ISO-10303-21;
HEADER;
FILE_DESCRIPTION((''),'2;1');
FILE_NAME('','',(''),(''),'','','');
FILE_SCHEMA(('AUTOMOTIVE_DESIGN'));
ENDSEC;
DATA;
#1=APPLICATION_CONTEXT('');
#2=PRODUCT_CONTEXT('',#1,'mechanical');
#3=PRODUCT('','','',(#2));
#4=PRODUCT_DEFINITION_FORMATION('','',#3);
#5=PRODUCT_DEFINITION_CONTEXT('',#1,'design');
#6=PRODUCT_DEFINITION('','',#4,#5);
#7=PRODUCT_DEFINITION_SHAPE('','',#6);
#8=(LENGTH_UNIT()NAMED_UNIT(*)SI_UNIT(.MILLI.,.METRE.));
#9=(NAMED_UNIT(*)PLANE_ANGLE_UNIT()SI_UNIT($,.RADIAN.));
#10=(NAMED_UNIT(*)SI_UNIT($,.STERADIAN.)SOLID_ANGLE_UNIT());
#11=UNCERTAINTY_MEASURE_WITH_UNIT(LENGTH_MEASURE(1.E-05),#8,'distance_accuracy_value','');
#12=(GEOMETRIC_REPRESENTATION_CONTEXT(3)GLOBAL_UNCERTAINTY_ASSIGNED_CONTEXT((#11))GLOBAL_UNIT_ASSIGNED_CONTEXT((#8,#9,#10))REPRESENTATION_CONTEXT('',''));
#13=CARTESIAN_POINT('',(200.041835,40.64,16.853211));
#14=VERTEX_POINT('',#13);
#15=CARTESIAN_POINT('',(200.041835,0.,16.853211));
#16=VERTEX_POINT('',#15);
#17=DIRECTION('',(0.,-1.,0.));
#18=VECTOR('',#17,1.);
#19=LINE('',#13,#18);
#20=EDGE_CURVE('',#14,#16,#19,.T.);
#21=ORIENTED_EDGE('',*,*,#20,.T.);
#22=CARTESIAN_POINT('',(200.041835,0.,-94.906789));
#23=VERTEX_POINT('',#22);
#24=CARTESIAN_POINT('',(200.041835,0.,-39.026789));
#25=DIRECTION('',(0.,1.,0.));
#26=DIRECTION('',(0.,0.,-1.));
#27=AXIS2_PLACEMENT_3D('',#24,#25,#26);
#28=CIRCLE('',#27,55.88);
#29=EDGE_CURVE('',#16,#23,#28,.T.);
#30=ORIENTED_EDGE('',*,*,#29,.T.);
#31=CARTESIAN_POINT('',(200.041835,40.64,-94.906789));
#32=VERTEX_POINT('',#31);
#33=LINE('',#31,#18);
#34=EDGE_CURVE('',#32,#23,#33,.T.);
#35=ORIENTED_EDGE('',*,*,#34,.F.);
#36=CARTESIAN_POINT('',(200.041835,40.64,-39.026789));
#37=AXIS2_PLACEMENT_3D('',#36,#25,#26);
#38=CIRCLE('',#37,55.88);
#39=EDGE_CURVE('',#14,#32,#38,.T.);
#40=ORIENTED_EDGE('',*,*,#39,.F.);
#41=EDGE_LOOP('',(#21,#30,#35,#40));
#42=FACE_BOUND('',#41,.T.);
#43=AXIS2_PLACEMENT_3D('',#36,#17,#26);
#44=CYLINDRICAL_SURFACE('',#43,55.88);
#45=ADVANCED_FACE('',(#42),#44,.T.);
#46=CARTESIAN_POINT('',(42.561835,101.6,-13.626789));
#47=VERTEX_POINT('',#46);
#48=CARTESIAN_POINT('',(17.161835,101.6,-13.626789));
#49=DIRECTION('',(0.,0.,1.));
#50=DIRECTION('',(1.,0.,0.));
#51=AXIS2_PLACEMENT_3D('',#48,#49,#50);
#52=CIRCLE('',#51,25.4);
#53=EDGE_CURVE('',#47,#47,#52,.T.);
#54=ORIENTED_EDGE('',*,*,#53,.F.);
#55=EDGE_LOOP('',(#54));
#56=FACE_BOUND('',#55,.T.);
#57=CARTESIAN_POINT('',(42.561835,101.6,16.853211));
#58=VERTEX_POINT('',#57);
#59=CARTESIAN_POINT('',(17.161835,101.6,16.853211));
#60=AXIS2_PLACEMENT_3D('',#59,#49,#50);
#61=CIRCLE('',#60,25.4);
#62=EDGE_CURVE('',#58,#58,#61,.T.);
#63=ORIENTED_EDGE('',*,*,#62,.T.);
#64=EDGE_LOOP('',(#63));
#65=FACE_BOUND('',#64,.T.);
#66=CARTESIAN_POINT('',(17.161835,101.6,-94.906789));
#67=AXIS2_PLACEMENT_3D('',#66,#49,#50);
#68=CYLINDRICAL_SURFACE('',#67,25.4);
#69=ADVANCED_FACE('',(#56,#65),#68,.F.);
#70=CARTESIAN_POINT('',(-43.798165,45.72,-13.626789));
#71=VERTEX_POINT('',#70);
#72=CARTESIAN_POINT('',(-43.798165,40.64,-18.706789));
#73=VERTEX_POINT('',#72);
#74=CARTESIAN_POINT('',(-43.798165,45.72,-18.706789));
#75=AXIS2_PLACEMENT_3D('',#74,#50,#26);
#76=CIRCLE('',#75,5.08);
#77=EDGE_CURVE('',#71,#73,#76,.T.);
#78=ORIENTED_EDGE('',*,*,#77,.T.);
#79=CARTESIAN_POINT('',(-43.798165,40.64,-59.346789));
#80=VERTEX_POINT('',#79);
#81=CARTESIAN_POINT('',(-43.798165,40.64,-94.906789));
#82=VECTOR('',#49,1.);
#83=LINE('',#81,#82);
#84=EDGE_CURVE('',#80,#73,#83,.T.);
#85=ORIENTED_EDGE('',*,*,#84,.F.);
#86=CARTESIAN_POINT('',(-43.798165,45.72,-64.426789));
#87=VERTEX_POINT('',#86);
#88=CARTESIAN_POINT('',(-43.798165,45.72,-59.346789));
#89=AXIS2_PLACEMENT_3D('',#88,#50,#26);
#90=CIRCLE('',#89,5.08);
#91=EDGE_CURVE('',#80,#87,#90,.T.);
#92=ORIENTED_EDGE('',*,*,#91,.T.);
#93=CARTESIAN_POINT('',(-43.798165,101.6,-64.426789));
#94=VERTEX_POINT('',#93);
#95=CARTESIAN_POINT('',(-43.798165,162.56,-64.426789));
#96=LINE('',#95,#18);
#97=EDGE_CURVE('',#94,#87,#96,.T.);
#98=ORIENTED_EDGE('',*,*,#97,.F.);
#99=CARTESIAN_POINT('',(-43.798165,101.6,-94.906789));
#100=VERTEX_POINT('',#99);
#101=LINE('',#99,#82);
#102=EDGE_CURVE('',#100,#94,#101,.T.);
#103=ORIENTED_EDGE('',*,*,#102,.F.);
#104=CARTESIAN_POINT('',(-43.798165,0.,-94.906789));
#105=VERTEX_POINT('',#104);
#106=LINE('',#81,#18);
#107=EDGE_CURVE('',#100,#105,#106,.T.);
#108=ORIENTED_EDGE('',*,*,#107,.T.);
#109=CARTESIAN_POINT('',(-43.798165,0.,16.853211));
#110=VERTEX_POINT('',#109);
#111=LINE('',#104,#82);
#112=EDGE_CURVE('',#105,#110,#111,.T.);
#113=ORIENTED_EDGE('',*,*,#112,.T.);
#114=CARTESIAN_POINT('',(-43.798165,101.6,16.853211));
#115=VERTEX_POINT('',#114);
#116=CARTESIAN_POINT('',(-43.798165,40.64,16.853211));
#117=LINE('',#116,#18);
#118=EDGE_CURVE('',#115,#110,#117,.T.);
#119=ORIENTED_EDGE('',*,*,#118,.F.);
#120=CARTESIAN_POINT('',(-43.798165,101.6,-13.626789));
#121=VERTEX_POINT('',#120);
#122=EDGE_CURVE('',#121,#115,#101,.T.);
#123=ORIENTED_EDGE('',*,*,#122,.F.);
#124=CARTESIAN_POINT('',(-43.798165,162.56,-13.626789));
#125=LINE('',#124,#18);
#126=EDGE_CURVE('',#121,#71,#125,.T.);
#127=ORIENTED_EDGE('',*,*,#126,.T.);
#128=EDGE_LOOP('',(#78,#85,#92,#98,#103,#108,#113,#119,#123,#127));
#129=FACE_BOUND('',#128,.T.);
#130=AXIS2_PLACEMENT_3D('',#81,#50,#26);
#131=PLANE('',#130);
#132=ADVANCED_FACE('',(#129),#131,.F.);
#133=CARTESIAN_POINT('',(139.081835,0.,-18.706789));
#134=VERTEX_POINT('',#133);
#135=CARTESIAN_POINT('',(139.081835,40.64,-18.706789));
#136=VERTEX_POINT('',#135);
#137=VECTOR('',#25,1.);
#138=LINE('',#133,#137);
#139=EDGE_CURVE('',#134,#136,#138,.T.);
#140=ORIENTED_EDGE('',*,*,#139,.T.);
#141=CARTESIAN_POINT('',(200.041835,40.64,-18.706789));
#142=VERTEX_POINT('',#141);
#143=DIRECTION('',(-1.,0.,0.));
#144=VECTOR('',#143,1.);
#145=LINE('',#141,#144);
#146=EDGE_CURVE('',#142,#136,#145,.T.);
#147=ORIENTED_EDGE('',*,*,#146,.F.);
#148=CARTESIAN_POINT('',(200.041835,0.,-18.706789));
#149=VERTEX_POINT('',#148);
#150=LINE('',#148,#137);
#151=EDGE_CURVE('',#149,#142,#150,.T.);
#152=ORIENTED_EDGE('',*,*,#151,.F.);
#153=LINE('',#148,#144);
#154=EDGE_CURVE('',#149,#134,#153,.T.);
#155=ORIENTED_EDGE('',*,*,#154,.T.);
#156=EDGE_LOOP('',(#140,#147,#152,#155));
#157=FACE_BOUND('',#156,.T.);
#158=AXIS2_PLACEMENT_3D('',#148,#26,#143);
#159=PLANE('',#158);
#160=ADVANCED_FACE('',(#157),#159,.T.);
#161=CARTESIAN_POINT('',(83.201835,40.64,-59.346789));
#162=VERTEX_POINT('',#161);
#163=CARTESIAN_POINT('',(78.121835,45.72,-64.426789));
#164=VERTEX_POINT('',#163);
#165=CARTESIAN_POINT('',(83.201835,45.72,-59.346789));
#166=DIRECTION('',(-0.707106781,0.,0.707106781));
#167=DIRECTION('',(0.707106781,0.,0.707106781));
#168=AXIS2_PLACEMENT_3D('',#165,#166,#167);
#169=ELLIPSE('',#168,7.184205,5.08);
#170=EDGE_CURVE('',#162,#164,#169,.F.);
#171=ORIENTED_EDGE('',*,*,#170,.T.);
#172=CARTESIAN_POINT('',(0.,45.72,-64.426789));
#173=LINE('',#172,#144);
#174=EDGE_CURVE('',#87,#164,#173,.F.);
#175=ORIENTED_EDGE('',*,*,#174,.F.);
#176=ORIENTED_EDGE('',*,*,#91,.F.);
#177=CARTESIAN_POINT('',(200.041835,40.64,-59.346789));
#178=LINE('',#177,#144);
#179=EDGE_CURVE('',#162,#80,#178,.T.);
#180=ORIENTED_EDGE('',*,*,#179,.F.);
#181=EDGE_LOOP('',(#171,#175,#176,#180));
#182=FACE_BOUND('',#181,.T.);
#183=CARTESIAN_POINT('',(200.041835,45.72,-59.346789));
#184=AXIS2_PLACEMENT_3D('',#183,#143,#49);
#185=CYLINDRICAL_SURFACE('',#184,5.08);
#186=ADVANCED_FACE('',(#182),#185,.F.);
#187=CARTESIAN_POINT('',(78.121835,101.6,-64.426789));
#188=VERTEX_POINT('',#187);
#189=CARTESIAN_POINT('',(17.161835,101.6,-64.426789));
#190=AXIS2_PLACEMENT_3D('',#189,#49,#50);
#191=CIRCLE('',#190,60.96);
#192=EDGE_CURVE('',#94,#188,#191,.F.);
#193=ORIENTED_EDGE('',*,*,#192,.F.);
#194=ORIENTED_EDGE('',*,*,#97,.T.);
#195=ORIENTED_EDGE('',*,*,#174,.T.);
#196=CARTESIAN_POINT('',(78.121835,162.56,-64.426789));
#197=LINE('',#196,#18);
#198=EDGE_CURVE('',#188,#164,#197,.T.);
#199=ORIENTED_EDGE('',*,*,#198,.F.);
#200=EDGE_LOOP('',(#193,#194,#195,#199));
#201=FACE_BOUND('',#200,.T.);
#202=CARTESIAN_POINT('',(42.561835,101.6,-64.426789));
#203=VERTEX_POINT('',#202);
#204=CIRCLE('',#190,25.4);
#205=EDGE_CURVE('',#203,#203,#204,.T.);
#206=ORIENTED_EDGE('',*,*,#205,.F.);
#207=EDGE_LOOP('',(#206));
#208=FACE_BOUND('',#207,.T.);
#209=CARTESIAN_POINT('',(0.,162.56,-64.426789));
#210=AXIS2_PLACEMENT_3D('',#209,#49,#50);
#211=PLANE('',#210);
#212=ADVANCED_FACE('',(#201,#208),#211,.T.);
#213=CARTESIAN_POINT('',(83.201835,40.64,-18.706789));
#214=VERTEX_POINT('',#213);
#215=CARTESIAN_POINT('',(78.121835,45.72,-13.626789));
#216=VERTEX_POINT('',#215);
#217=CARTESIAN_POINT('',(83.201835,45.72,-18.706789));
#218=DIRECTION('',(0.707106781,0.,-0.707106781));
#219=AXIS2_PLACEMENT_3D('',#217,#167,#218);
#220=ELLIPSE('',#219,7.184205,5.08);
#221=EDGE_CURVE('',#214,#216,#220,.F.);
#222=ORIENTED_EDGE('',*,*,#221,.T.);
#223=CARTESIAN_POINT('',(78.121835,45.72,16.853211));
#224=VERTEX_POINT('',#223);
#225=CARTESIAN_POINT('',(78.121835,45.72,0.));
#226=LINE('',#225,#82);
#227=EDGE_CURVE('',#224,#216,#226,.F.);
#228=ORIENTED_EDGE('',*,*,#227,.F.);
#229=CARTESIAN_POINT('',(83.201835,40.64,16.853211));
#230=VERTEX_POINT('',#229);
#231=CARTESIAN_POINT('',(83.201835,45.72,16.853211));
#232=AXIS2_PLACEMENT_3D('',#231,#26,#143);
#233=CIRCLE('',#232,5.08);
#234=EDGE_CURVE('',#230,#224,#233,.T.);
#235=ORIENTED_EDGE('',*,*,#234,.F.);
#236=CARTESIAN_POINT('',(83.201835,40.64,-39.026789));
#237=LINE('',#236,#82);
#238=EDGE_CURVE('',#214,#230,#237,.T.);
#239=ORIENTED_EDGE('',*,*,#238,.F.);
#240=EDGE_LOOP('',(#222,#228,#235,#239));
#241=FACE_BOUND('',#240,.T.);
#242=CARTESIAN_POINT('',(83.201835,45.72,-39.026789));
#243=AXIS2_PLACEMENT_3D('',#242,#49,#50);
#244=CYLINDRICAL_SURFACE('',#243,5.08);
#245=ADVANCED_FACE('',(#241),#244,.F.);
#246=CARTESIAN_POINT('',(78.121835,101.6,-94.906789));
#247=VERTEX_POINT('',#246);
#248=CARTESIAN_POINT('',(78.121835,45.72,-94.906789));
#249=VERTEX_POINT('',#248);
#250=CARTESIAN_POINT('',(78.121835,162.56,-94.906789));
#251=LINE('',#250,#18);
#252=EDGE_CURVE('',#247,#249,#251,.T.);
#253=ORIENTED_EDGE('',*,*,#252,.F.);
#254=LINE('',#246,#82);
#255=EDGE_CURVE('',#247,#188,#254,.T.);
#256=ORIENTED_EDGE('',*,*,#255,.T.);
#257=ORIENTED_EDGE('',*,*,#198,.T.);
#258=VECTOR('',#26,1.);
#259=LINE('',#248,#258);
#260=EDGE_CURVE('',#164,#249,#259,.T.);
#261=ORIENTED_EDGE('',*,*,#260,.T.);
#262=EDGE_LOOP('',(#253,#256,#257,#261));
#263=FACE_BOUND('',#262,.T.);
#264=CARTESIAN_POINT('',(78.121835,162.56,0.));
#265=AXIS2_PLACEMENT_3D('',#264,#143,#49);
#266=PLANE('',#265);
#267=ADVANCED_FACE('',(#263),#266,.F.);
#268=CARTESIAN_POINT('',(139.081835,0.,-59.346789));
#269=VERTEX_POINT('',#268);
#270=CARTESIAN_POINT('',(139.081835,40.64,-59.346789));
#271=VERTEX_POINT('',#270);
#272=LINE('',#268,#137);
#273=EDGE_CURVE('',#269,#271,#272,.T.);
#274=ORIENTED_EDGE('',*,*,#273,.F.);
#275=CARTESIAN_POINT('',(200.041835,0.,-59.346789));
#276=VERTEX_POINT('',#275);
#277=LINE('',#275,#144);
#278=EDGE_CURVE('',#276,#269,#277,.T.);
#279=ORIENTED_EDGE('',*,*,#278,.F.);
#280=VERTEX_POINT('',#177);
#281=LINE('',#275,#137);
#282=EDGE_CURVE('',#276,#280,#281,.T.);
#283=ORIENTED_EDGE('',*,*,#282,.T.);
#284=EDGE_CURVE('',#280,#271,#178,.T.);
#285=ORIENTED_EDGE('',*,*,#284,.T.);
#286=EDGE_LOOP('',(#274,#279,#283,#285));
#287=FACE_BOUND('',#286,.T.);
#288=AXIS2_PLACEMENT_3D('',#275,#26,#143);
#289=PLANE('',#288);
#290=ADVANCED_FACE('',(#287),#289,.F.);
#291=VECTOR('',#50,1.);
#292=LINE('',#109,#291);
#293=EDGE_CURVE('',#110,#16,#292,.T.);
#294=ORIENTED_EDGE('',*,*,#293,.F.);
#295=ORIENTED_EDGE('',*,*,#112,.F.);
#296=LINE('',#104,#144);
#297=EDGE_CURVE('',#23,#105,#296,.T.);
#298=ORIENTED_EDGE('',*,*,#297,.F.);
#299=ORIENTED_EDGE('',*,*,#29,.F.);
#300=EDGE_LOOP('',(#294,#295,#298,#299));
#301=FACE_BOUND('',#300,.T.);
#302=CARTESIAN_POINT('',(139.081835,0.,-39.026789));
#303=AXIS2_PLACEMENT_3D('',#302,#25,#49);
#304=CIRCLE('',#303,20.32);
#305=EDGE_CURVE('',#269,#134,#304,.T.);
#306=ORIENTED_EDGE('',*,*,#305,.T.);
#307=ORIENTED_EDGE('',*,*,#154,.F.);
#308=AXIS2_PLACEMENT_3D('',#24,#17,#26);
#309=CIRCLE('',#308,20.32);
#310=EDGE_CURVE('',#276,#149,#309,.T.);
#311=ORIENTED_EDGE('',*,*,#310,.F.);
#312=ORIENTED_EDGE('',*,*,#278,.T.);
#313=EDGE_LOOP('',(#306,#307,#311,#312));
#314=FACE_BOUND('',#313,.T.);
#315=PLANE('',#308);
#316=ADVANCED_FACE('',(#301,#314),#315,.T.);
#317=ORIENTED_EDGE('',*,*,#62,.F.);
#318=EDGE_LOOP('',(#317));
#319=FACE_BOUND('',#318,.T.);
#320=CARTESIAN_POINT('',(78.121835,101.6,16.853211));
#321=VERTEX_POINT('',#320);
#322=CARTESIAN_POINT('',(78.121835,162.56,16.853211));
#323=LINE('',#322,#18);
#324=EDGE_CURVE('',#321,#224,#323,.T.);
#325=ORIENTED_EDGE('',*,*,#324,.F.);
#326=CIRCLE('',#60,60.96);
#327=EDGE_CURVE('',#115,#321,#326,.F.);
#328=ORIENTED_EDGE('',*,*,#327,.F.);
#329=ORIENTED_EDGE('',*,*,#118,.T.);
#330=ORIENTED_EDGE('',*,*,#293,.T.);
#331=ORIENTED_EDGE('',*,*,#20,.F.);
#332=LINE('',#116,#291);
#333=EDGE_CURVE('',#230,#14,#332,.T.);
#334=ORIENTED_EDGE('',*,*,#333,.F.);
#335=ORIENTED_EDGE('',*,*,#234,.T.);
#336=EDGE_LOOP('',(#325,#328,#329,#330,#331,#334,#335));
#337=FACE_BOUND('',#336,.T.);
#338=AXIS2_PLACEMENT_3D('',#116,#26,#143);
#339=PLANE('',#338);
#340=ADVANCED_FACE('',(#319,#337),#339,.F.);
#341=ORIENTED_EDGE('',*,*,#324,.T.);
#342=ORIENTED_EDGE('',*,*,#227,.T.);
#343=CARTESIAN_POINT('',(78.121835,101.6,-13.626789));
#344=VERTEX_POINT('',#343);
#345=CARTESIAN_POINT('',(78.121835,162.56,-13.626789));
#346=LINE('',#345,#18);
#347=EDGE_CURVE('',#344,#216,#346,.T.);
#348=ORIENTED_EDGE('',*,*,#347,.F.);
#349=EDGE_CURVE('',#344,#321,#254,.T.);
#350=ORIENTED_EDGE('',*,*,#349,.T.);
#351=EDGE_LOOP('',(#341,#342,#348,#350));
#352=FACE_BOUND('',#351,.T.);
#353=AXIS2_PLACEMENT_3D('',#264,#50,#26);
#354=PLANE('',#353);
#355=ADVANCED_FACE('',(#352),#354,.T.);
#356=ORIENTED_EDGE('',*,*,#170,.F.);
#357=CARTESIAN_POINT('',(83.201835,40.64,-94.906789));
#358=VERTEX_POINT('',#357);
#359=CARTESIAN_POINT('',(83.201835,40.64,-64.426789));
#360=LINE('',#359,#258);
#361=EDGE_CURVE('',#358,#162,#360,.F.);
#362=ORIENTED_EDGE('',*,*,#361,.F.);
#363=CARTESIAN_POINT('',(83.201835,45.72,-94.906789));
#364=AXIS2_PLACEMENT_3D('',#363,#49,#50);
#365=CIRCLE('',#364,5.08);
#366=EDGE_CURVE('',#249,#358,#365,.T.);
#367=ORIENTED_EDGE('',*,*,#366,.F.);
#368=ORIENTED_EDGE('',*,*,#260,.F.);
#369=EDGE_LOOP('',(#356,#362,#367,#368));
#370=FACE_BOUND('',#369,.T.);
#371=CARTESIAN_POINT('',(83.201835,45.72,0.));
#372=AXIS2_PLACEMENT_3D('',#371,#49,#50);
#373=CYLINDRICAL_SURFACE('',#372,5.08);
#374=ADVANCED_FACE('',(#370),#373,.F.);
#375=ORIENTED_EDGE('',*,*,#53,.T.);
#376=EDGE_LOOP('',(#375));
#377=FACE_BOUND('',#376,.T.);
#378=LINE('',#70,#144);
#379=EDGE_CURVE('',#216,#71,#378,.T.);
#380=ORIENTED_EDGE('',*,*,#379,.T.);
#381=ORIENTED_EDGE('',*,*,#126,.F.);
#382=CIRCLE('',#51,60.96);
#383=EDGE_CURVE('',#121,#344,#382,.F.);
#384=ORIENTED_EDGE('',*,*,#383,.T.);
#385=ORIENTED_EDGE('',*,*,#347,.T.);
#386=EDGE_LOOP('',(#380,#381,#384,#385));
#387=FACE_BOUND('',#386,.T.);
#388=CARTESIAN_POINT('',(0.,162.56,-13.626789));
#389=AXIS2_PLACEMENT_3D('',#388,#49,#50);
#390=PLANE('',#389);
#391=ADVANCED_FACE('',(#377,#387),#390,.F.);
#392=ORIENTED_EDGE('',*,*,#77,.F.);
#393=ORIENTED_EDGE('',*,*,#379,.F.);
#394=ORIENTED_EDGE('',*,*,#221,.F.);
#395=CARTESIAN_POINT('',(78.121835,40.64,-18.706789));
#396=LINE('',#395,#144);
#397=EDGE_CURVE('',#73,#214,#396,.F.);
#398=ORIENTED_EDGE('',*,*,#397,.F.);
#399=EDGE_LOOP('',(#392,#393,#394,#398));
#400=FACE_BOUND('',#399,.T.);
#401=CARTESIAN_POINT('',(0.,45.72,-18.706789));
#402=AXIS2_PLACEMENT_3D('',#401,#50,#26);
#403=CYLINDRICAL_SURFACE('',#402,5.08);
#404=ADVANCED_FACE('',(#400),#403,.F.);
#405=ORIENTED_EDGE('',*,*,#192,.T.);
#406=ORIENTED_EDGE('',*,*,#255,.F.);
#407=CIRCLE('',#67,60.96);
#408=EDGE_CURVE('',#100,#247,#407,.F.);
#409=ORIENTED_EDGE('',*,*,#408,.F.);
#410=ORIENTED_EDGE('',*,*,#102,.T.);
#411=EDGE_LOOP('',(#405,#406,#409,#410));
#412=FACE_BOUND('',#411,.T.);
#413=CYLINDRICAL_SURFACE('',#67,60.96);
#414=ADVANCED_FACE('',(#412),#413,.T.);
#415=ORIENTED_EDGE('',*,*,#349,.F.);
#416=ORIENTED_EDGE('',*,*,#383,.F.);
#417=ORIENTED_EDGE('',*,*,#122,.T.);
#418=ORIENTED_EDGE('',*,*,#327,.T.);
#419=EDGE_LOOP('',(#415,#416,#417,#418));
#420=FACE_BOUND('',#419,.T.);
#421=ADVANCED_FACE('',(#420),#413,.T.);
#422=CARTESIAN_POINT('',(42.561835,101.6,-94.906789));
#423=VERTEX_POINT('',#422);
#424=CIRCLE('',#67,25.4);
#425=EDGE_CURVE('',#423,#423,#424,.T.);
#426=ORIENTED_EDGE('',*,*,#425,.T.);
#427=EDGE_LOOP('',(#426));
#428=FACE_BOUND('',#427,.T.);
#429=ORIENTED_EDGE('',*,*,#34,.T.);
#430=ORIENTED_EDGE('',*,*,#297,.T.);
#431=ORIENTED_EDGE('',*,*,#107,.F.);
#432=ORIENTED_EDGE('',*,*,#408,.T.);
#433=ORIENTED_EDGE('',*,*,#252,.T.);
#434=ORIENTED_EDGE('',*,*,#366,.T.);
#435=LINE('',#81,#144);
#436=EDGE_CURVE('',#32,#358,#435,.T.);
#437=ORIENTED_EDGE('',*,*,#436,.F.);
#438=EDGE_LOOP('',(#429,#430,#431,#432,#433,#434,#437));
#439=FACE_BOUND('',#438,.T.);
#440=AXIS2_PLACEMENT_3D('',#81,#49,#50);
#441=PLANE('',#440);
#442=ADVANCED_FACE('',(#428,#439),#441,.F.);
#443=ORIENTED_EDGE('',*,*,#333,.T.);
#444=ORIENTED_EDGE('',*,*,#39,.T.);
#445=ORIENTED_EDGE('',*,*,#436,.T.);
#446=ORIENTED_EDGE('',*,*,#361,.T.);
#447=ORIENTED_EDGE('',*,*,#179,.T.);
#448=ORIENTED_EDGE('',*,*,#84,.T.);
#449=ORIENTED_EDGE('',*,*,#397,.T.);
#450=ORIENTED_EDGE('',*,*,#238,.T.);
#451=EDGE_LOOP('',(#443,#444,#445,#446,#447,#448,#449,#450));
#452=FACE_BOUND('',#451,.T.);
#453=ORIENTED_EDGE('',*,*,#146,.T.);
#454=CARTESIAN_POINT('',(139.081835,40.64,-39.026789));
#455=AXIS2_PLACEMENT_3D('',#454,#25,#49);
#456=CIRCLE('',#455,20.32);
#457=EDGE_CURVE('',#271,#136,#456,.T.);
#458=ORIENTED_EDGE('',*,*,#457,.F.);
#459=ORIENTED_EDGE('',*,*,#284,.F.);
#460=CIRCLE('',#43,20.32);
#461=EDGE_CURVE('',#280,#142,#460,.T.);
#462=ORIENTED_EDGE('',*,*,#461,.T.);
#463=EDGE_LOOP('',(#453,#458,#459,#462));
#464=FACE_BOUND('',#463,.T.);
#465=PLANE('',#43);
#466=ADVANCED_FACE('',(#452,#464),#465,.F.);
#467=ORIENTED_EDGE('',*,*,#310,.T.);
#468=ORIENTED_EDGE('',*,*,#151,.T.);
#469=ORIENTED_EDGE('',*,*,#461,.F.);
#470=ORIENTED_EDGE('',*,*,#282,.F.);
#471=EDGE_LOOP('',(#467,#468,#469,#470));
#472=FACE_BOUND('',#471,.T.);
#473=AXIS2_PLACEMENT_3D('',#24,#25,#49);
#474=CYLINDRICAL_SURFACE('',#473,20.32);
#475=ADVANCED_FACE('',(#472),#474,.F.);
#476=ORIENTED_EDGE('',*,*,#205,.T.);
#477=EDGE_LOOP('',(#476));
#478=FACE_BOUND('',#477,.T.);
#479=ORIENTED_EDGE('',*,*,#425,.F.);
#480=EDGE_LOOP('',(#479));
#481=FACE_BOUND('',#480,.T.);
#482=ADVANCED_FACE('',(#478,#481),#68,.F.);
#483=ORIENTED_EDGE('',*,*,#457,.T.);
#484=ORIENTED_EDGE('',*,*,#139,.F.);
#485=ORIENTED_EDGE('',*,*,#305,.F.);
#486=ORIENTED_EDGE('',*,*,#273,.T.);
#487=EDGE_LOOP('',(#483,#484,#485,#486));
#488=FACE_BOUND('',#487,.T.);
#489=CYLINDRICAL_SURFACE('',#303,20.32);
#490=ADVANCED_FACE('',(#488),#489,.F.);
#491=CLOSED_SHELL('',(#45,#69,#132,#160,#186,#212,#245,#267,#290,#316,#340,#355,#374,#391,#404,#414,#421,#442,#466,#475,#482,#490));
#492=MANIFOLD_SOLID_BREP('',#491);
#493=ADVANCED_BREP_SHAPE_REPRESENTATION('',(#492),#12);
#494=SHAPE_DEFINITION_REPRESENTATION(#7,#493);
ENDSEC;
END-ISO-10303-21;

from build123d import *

# Parameters (mm, degrees)
BOSS_EXTRUDE1_DEPTH = 40.64
SKETCH2_W           = 121.92
SKETCH2_H           = 30.48
BOSS_EXTRUDE3_DEPTH = 121.92
CUT_EXTRUDE1_DEPTH  = 40.64
CUT_EXTRUDE3_DEPTH  = 111.76
SKETCH5_5_R         = 25.4
CUT_EXTRUDE4_DEPTH  = 111.76
FILLET1_R           = 5.08


with BuildPart() as part:
    # Sketch1 → Boss-Extrude1 (new body)
    with BuildSketch(Plane(origin=(0, 0, 0), x_dir=(1, 0, 0), z_dir=(0, 1, 0))):
        with BuildLine():
            Line((-43.798165138, 94.906788991), (200.041834862, 94.906788991))
            ThreePointArc((200.041834862, 94.906788991), (255.921834862, 39.026788991), (200.041834862, -16.853211009))
            Line((200.041834862, -16.853211009), (-43.798165138, -16.853211009))
            Line((-43.798165138, -16.853211009), (-43.798165138, 94.906788991))
        make_face()
    extrude(amount=BOSS_EXTRUDE1_DEPTH)

    # Sketch2 → Boss-Extrude3 (add)
    with BuildSketch(Plane(origin=(0, 40.64, 0), x_dir=(1, 0, 0), z_dir=(0, 1, 0))):
        with Locations((17.161834862, -1.613211009)):
            Rectangle(SKETCH2_W, SKETCH2_H)
        with Locations((17.161834862, 79.666788991)):
            Rectangle(SKETCH2_W, SKETCH2_H)
    extrude(amount=BOSS_EXTRUDE3_DEPTH)

    # Sketch2<6> → Cut-Extrude1 (cut)
    with BuildSketch(Plane(origin=(0, 40.64, 0), x_dir=(1, 0, 0), z_dir=(0, 1, 0))):
        with BuildLine():
            Line((200.041834862, 59.346788991), (139.081834862, 59.346788991))
            ThreePointArc((139.081834862, 59.346788991), (118.761834862, 39.026788991), (139.081834862, 18.706788991))
            Line((139.081834862, 18.706788991), (200.041834862, 18.706788991))
            ThreePointArc((200.041834862, 18.706788991), (220.361834862, 39.026788991), (200.041834862, 59.346788991))
        make_face()
    extrude(amount=-CUT_EXTRUDE1_DEPTH, mode=Mode.SUBTRACT)

    # Sketch5 → Cut-Extrude3 (cut)
    with BuildSketch(Plane.XY.offset(16.853211009)):
        with BuildLine():
            Line((78.121834862, 162.56), (17.161834862, 162.56))
            ThreePointArc((17.161834862, 162.56), (60.267064244, 144.705229381), (78.121834862, 101.6))
            Line((78.121834862, 101.6), (78.121834862, 162.56))
        make_face()
        with BuildLine():
            Line((-43.798165138, 162.56), (-43.798165138, 101.6))
            ThreePointArc((-43.798165138, 101.6), (-25.943394519, 144.705229381), (17.161834862, 162.56))
            Line((17.161834862, 162.56), (-43.798165138, 162.56))
        make_face()
    extrude(amount=-CUT_EXTRUDE3_DEPTH, mode=Mode.SUBTRACT)

    # Sketch5<5> → Cut-Extrude4 (cut)
    with BuildSketch(Plane.XY.offset(16.853211009)):
        with Locations((17.161834862, 101.6)):
            Circle(SKETCH5_5_R)
    extrude(amount=-CUT_EXTRUDE4_DEPTH, mode=Mode.SUBTRACT)

    # Fillet1
    fillet1_edges = [part.edges().sort_by_distance(p)[0] for p in [
        (17.161834862, 40.64, -13.626788991),
        (78.121834862, 40.64, 1.613211009),
        (78.121834862, 40.64, -79.666788991),
        (17.161834862, 40.64, -64.426788991),
    ]]
    fillet(fillet1_edges, radius=FILLET1_R)


solid = part.part
